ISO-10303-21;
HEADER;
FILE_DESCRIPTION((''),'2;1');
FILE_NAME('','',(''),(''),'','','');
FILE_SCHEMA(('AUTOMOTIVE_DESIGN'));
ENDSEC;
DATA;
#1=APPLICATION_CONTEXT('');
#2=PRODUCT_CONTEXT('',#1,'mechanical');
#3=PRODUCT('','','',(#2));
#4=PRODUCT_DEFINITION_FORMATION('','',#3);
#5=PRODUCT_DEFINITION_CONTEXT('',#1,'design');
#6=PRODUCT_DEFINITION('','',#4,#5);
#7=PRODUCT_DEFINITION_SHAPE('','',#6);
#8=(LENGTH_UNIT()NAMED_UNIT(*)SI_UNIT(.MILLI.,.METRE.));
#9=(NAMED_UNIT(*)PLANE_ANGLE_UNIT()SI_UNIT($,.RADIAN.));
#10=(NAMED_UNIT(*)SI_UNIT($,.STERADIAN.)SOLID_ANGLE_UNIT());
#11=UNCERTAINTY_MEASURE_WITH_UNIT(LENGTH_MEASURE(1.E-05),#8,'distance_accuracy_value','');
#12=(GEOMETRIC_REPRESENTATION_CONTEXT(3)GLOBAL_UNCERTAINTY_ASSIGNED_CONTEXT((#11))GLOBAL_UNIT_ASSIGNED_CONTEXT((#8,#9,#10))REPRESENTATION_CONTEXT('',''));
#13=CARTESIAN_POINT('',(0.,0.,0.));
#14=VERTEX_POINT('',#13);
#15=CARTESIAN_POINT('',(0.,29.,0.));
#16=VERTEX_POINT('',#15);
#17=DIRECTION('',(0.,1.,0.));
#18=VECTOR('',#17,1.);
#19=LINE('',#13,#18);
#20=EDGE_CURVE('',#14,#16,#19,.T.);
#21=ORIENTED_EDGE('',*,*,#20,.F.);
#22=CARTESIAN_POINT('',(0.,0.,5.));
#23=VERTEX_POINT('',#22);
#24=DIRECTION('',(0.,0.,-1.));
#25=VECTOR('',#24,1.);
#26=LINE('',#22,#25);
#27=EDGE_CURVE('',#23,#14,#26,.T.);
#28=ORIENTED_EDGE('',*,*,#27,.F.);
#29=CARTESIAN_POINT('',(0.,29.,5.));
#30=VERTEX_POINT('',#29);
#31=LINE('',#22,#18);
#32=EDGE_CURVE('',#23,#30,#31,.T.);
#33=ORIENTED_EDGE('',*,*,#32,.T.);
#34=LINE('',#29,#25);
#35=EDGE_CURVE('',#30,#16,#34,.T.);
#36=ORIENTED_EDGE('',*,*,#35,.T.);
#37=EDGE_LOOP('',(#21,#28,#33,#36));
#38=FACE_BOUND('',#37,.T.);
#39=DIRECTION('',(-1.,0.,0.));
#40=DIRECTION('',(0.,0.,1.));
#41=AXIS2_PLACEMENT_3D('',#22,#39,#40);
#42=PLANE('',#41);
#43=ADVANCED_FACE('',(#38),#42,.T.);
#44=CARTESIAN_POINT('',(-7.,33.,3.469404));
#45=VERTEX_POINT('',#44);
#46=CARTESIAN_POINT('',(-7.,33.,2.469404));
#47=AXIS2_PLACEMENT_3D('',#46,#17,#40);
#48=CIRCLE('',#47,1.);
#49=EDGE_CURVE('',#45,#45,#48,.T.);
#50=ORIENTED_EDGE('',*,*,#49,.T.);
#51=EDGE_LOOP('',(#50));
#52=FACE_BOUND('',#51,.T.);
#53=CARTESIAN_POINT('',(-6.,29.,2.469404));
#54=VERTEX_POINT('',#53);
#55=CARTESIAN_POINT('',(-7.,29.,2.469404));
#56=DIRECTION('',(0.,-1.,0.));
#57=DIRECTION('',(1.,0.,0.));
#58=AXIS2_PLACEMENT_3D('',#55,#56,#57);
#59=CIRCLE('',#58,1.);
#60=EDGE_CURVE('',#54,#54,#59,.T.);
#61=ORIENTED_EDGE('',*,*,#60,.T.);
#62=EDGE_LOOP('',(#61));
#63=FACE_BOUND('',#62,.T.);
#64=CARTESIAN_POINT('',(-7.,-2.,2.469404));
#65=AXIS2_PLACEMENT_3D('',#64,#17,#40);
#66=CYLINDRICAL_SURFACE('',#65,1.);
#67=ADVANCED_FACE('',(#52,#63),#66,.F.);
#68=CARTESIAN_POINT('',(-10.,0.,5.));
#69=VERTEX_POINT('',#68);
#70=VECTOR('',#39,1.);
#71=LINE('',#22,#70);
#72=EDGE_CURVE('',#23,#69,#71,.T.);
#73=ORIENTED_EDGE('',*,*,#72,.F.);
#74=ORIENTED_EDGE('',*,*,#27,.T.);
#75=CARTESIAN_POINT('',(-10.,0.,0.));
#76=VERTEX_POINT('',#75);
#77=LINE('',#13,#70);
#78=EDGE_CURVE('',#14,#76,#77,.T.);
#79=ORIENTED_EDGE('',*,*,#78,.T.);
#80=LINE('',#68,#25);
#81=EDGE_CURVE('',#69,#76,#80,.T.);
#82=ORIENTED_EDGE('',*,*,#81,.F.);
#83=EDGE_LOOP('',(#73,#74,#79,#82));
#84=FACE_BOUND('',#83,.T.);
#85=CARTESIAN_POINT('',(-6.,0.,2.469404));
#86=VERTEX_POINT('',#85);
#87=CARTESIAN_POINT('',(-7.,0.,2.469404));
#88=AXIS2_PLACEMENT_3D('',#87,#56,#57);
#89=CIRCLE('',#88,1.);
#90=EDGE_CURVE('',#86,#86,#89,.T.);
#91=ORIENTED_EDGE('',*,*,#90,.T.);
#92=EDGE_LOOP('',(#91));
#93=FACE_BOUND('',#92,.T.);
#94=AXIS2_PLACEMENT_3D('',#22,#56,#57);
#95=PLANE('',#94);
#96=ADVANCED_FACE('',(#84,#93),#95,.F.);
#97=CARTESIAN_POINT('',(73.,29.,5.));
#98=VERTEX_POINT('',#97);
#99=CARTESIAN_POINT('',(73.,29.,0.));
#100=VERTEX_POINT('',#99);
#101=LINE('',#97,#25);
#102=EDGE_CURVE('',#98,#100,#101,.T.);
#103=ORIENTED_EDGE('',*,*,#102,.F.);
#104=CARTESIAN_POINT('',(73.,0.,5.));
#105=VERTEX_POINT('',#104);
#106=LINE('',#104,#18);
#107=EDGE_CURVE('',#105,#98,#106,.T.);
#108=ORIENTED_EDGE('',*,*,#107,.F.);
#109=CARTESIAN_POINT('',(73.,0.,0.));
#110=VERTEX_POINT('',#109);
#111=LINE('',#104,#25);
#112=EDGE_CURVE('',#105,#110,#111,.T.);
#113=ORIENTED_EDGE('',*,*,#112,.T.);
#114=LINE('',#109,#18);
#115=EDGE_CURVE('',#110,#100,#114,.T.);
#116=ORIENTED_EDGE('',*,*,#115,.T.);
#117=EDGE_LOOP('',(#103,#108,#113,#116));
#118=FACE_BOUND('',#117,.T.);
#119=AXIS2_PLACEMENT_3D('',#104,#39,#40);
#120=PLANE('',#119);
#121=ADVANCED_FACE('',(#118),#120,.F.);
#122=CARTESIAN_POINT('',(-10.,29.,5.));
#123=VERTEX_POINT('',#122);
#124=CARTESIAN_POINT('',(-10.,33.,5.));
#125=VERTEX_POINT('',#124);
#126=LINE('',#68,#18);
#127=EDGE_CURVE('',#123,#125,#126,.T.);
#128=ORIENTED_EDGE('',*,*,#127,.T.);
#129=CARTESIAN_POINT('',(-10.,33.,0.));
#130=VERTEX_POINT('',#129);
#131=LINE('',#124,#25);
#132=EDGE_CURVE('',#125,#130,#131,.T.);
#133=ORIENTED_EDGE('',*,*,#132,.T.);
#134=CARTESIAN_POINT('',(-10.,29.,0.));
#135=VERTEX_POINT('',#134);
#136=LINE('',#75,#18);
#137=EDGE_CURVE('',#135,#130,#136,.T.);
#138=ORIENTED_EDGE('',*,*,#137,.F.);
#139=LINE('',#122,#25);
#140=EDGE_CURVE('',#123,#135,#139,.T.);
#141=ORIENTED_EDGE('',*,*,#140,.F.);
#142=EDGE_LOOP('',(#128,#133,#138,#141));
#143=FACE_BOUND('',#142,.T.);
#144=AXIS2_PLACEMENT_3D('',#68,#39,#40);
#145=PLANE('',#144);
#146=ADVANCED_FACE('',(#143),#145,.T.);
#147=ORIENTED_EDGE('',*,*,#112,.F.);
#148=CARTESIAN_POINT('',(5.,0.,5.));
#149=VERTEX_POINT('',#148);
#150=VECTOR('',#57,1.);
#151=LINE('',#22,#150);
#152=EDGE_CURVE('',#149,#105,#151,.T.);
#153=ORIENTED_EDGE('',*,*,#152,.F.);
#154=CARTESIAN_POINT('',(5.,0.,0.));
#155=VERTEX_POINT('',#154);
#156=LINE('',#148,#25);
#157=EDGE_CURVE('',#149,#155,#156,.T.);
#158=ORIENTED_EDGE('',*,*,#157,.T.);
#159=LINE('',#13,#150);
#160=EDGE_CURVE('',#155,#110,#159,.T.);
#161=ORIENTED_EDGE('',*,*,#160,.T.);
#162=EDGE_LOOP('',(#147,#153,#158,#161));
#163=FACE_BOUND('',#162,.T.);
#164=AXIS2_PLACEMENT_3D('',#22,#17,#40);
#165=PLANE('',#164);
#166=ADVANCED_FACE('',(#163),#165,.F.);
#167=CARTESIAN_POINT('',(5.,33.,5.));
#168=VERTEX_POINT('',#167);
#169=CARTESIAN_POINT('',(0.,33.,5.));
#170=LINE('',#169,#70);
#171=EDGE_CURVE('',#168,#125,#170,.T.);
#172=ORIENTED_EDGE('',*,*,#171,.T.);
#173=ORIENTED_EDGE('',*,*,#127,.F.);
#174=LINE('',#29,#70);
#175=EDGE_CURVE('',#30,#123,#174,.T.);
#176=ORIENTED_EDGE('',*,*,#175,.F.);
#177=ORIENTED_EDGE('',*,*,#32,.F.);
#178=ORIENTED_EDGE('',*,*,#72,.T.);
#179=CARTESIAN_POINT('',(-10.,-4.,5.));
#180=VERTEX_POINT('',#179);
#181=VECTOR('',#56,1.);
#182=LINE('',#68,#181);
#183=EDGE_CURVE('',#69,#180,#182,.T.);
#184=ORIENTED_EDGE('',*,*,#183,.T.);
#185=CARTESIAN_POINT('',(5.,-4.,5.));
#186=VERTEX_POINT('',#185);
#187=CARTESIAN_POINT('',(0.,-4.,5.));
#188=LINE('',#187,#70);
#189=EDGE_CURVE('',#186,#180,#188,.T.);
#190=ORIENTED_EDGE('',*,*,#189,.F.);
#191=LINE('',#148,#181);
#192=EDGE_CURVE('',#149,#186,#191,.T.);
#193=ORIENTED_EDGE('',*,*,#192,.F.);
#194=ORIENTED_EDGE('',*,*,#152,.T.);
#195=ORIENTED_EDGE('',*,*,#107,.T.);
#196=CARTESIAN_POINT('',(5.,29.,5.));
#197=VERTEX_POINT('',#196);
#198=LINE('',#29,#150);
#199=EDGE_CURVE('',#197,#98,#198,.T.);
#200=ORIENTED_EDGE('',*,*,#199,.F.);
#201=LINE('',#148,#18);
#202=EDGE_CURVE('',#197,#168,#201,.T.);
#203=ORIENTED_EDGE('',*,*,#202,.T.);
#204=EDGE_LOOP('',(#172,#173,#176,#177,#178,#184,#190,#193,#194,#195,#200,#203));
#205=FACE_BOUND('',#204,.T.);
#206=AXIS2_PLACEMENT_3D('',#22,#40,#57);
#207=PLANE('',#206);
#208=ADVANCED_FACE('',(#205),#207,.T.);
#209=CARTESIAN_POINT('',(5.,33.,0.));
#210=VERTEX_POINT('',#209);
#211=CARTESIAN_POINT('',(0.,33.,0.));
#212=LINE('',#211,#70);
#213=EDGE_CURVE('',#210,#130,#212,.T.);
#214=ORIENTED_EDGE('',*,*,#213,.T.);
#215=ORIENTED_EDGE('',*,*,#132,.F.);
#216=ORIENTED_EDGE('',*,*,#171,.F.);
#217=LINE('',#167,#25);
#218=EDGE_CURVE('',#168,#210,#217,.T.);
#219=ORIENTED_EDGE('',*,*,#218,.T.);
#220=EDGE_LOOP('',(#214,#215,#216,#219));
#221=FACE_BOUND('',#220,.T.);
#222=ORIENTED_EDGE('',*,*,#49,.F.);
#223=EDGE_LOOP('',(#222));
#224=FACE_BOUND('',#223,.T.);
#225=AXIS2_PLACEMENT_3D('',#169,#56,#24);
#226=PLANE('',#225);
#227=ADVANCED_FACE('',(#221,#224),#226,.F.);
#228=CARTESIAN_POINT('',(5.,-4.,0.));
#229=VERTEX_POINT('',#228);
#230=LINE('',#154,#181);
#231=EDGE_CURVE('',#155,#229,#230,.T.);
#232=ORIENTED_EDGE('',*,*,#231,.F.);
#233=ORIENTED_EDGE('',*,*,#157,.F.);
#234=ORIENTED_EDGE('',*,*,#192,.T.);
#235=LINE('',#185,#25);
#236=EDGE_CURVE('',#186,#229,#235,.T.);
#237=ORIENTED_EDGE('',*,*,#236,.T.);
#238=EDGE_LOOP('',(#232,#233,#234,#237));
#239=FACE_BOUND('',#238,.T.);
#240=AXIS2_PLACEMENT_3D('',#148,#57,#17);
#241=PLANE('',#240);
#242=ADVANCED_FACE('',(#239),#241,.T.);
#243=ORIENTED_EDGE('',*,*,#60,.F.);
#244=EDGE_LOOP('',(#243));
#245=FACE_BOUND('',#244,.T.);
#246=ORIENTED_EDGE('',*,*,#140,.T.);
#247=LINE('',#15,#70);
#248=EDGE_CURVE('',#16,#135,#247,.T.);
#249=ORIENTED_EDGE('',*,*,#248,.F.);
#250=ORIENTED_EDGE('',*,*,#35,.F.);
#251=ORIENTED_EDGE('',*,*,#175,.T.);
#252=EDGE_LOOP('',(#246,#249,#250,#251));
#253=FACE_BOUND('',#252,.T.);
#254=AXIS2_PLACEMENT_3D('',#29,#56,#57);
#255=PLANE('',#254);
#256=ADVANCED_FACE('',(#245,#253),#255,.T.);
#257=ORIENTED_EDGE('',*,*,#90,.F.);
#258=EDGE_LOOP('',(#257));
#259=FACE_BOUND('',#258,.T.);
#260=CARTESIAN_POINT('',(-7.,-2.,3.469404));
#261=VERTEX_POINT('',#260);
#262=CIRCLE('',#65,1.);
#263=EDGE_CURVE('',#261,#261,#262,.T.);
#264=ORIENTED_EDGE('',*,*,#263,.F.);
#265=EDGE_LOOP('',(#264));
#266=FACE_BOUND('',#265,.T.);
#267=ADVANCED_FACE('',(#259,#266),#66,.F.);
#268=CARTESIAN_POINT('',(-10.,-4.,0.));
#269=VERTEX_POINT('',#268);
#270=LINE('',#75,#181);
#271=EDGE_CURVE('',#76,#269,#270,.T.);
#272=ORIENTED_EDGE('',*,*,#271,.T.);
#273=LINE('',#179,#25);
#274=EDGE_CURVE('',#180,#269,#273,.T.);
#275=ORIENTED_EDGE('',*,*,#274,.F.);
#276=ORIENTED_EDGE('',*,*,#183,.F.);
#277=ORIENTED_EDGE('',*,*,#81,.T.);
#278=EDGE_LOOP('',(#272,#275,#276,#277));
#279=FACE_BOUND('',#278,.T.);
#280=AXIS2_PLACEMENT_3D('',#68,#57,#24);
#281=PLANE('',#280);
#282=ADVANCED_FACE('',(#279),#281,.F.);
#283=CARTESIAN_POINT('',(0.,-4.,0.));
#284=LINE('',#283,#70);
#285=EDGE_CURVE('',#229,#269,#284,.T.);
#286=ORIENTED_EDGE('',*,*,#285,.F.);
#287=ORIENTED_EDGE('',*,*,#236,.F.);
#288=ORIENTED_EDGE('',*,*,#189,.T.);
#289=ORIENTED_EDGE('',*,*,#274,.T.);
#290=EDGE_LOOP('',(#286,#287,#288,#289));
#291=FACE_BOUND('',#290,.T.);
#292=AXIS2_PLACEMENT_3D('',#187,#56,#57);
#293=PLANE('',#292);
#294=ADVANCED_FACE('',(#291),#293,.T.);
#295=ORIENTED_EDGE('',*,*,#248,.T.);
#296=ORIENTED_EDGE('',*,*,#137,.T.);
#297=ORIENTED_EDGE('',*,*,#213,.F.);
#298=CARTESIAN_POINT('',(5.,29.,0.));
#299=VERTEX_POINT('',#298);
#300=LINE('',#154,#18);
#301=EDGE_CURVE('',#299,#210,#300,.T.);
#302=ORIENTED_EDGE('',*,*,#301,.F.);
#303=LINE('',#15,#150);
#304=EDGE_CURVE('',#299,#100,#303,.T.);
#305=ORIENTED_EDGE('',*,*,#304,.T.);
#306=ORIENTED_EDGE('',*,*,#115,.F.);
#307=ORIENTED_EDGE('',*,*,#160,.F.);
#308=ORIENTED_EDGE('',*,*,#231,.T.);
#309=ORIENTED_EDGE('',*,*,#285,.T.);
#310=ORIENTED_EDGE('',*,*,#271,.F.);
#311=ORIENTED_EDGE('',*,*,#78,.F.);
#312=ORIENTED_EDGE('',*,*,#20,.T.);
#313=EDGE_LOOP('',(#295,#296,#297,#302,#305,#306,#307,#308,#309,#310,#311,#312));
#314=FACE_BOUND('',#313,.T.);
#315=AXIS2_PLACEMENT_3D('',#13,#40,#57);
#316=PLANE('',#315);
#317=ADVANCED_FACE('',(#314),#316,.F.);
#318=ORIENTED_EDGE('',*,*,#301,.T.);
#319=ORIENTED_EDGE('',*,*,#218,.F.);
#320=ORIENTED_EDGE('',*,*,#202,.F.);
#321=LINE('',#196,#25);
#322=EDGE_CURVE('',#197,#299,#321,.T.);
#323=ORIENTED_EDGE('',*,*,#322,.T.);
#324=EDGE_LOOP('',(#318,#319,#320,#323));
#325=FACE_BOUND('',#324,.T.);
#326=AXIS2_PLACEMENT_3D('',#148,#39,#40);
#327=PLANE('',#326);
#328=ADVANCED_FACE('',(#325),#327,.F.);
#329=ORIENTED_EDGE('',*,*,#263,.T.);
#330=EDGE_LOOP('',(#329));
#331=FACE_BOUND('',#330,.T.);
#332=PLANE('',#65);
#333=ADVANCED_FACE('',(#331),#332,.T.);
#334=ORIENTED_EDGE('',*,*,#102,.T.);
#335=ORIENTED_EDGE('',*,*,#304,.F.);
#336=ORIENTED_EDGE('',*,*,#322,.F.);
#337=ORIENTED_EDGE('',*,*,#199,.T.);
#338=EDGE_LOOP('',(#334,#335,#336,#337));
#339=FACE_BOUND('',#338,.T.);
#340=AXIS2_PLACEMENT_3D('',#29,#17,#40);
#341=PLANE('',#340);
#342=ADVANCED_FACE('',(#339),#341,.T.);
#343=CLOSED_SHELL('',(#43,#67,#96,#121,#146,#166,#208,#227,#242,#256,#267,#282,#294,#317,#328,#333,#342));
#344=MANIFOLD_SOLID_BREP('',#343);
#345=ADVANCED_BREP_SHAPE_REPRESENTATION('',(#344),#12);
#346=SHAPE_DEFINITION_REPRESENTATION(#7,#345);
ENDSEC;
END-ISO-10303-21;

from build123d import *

# Parameters (mm, degrees)
SKETCH1_W           = 73
SKETCH1_H           = 29
BOSS_EXTRUDE1_DEPTH = 5
SKETCH2_R           = 1
CUT_EXTRUDE1_DEPTH  = 35


with BuildPart() as part:
    # Sketch1 → Boss-Extrude1 (new body)
    with BuildSketch(Plane.XY):
        with Locations((36.5, 14.5)):
            Rectangle(SKETCH1_W, SKETCH1_H)
        Polygon((-10, 29), (0, 29), (5, 29), (5, 33), (-10, 33), align=None)
        Polygon((5, 0), (0, 0), (-10, 0), (-10, -4), (5, -4), align=None)
    extrude(amount=BOSS_EXTRUDE1_DEPTH)

    # Sketch2 → Cut-Extrude1 (cut)
    with BuildSketch(Plane(origin=(0, 33, 0), x_dir=(1, 0, 0), z_dir=(0, 1, 0))):
        with Locations(Location((-7, -2.46940408, 0), (0, 0, 270))):
            Circle(SKETCH2_R)
    extrude(amount=-CUT_EXTRUDE1_DEPTH, mode=Mode.SUBTRACT)


solid = part.part
